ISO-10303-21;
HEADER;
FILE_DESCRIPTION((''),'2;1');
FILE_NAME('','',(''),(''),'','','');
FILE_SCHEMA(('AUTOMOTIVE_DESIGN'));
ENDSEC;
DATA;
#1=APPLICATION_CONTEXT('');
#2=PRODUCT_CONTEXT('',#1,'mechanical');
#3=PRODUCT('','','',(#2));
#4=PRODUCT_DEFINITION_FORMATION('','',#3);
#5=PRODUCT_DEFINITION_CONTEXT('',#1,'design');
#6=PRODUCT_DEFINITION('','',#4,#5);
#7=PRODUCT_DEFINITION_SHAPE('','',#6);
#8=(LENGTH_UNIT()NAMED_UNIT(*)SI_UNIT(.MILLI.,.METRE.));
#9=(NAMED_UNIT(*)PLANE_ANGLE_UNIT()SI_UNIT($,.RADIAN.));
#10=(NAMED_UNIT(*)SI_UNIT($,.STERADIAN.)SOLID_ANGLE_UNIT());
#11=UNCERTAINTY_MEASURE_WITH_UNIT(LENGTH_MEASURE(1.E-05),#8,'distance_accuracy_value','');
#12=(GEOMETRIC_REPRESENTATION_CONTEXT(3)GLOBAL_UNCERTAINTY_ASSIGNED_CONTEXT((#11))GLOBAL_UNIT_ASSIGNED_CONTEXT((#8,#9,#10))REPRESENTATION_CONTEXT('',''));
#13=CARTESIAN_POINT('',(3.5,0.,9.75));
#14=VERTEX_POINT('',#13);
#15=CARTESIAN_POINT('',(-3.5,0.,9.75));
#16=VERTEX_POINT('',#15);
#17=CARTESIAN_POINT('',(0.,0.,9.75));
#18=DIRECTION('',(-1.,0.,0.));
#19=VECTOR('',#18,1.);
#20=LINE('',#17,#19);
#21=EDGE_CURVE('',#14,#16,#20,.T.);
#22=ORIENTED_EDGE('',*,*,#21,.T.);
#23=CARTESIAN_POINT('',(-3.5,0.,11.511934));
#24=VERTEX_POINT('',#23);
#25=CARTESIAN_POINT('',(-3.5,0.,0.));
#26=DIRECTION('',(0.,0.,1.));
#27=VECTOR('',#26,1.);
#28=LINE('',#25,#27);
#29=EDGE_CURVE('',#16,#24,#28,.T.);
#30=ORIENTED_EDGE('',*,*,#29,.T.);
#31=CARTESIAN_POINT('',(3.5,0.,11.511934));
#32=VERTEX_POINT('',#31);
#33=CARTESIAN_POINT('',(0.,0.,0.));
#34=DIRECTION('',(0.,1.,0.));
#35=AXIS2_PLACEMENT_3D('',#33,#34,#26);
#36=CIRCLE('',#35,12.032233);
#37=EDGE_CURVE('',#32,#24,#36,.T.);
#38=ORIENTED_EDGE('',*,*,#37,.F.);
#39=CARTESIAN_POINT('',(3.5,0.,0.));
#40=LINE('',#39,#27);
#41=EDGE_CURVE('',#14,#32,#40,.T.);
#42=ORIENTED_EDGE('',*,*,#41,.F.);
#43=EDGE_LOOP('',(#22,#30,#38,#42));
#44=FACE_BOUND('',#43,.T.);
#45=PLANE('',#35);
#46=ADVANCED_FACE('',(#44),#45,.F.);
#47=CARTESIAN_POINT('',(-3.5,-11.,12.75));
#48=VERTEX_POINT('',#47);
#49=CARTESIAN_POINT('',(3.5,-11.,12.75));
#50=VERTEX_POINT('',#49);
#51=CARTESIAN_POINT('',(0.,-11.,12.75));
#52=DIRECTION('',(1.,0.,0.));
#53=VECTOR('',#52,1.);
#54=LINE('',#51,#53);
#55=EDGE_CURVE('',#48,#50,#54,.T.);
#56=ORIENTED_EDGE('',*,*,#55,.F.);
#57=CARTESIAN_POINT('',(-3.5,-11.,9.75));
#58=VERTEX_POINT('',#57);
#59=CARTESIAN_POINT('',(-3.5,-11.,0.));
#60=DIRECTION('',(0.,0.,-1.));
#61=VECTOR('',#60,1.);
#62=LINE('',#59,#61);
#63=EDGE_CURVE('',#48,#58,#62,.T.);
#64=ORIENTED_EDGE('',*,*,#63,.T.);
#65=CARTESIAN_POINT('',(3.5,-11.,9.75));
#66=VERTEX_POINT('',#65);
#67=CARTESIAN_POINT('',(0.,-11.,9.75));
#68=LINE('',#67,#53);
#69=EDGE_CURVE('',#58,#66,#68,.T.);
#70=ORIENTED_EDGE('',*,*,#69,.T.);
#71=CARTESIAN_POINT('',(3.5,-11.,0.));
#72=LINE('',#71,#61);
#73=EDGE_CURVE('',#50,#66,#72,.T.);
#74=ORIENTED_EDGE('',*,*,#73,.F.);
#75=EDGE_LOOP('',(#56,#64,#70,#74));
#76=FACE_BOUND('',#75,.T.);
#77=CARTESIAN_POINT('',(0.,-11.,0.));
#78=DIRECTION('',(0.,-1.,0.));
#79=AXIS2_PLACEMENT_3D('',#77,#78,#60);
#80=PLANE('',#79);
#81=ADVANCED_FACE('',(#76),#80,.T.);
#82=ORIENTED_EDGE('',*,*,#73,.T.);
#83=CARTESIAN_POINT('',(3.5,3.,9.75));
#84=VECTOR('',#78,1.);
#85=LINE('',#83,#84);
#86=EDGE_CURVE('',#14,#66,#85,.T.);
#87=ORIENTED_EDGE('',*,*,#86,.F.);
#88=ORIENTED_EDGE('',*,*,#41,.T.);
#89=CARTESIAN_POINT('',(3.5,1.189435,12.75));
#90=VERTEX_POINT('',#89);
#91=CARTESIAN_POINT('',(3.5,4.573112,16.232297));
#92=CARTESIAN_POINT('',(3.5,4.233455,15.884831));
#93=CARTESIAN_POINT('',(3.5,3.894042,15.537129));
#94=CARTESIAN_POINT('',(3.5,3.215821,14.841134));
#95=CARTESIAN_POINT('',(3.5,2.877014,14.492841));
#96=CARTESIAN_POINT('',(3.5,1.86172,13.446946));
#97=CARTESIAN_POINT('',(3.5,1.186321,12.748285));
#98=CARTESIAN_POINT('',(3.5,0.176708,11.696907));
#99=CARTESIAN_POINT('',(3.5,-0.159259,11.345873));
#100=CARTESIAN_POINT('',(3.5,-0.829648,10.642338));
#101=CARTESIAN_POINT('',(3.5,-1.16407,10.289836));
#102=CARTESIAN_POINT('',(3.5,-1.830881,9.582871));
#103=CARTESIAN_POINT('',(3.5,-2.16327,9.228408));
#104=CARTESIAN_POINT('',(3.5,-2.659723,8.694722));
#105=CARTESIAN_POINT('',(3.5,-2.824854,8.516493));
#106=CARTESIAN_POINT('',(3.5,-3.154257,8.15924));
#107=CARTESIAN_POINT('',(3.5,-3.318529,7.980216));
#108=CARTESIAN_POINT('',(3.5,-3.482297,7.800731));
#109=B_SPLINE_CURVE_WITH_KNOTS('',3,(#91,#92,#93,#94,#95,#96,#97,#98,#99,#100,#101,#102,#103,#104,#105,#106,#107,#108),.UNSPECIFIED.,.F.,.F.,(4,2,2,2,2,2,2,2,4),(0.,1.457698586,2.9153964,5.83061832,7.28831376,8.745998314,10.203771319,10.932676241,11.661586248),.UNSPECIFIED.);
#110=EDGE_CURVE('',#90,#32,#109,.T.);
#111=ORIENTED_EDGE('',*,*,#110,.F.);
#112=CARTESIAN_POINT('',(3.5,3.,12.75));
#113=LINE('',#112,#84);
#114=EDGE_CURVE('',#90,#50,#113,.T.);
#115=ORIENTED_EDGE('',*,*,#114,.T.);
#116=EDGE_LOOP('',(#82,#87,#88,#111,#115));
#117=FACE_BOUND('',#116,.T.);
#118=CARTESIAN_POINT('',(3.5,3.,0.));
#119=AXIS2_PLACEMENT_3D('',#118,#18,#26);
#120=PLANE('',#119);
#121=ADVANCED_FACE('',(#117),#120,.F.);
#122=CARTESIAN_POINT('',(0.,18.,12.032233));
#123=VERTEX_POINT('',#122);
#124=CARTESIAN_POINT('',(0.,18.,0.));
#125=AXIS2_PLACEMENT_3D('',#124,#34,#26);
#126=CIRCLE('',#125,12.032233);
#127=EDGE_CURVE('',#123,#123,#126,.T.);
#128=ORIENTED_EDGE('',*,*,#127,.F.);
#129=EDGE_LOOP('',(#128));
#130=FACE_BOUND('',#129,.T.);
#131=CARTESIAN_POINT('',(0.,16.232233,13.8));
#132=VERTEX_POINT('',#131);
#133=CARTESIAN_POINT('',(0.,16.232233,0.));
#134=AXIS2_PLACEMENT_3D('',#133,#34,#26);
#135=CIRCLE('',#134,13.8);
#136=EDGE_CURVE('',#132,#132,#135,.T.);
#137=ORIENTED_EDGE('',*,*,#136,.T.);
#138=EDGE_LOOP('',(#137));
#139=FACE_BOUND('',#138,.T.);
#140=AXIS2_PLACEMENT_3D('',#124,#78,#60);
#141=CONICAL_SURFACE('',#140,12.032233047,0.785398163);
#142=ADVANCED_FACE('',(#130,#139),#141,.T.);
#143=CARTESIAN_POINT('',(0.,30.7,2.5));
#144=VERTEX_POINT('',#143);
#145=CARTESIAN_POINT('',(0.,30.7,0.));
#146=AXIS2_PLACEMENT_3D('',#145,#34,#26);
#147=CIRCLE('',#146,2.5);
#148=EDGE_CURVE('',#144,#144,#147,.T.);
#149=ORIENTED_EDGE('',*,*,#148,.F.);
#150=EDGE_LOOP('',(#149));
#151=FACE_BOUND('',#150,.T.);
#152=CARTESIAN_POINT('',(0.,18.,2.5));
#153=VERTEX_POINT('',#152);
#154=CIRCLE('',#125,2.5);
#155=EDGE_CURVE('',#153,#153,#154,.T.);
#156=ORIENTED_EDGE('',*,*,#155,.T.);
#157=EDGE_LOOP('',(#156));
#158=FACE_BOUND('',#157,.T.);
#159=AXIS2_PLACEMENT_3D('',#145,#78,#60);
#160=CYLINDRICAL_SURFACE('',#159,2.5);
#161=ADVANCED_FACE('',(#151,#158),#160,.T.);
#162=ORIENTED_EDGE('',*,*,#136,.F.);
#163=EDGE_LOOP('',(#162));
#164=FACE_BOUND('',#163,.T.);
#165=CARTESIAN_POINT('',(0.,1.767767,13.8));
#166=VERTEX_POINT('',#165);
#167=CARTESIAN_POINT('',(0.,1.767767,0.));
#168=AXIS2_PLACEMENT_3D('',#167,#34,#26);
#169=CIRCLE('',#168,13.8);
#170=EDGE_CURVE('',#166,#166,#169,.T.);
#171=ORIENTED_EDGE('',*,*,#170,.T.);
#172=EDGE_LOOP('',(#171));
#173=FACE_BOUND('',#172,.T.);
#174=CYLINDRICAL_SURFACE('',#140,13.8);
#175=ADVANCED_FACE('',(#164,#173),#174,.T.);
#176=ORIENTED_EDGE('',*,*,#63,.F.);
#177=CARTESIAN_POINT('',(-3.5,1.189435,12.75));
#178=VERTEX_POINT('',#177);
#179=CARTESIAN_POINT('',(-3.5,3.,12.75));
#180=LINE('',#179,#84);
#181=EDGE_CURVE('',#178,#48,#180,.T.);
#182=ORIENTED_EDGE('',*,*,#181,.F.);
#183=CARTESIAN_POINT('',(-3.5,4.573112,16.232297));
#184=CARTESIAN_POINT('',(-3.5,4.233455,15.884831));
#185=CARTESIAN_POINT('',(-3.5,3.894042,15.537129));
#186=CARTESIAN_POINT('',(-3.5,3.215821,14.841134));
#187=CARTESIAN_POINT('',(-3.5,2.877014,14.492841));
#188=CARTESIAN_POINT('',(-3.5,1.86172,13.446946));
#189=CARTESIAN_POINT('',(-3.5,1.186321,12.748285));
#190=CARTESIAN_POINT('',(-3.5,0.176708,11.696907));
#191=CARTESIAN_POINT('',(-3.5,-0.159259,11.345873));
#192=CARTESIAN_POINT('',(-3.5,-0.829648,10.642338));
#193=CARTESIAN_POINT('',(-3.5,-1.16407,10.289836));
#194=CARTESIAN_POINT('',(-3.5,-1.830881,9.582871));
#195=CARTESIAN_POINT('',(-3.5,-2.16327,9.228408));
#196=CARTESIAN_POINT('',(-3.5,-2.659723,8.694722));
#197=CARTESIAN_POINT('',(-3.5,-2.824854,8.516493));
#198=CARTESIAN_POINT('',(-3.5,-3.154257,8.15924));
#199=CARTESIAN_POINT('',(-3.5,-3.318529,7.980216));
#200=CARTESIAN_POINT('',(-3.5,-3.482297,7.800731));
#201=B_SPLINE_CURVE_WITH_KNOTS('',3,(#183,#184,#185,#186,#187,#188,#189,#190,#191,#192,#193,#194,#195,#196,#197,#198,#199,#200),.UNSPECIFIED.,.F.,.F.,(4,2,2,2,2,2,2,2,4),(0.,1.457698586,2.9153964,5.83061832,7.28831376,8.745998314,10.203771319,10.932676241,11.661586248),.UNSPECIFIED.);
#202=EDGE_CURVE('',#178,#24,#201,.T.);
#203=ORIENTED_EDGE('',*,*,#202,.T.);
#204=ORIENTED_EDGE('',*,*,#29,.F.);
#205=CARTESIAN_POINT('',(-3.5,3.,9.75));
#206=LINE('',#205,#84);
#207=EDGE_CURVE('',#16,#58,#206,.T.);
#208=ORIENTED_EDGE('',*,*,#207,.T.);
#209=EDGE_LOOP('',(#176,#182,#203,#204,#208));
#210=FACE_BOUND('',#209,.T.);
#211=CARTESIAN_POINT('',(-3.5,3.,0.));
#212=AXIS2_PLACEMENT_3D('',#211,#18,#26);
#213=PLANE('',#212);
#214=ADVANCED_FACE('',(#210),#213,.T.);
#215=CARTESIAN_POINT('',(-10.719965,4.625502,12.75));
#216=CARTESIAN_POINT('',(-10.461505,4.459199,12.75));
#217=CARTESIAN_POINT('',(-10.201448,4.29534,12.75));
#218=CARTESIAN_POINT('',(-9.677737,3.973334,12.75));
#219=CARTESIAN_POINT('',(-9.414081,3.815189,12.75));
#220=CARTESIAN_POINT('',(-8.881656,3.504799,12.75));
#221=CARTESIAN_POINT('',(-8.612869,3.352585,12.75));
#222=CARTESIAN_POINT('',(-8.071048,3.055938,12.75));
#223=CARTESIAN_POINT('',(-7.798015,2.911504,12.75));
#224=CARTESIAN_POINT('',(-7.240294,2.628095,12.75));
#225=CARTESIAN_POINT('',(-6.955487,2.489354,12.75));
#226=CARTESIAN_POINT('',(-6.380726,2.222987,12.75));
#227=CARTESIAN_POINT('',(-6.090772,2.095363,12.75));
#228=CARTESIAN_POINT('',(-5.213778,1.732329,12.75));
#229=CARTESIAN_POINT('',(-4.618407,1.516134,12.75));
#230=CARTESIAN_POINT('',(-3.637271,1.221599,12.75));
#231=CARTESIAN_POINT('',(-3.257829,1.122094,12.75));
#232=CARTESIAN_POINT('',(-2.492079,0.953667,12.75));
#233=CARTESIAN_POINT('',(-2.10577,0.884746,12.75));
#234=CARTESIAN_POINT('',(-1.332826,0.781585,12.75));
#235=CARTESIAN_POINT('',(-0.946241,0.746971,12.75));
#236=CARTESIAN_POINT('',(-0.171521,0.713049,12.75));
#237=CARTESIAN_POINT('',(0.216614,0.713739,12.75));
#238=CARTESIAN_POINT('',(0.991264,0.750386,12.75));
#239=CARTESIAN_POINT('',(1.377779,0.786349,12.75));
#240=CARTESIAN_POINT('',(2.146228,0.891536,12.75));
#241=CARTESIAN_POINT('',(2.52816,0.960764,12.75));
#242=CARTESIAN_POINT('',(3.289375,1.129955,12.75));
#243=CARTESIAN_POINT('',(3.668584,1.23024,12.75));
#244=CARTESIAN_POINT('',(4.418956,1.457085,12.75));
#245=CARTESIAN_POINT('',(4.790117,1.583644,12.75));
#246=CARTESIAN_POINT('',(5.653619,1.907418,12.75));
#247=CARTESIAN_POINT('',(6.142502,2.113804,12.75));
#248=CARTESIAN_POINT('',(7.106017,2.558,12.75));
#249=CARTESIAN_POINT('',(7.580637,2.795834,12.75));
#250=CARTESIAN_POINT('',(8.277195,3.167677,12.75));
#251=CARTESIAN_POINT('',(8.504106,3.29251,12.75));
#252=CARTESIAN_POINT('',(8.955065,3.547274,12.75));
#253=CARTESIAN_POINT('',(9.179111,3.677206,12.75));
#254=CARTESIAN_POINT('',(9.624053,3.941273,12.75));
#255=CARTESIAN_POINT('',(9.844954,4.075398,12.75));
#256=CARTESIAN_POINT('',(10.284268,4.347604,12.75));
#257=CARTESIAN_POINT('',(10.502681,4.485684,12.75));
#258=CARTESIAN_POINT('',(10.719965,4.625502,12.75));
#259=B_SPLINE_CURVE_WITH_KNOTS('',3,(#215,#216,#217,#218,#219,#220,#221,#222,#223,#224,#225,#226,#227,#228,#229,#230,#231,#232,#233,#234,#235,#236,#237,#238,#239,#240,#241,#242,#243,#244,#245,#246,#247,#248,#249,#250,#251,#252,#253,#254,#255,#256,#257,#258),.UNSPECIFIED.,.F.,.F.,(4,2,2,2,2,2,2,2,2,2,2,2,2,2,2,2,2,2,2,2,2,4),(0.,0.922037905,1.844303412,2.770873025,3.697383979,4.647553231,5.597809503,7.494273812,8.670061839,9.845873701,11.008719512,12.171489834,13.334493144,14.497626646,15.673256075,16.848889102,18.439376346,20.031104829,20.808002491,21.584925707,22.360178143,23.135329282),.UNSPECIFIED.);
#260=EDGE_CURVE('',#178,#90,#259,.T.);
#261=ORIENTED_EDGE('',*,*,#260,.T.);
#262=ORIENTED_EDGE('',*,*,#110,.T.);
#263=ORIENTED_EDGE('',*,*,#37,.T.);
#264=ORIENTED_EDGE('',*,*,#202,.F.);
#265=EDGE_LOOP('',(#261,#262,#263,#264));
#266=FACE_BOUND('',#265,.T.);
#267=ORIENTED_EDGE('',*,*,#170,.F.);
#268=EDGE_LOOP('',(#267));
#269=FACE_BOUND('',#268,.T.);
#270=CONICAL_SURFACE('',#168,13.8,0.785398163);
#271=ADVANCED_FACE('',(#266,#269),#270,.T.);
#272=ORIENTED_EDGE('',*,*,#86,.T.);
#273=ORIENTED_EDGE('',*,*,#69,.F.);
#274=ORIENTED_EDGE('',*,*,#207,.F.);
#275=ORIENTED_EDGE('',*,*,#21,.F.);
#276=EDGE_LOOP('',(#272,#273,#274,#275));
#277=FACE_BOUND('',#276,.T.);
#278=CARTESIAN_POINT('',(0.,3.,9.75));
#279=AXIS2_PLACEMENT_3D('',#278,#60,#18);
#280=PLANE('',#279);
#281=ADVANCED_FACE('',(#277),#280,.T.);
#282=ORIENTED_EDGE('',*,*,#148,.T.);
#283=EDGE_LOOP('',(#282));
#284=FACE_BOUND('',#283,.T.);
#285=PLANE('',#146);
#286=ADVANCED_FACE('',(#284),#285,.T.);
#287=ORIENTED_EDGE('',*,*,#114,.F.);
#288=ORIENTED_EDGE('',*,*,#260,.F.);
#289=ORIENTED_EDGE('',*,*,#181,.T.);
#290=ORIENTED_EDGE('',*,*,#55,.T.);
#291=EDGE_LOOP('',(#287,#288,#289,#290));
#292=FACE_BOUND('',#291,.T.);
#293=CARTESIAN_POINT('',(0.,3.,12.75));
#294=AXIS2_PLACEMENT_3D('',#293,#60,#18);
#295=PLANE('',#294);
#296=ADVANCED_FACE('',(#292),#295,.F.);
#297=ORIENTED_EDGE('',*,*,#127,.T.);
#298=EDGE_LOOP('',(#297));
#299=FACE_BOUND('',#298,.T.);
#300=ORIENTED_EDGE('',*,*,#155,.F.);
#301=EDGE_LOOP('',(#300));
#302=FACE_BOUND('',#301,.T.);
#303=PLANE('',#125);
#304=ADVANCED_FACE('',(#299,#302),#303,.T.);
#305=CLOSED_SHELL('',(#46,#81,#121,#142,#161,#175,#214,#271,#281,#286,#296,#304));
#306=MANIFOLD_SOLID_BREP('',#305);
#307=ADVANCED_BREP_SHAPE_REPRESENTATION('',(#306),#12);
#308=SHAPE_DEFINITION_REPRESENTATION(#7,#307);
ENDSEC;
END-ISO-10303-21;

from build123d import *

# Parameters (mm, degrees)
SKETCH1_R                = 13.8
BOSS_EXTRUDE1_DEPTH      = 18
SKETCH3_R                = 2.5
BOSS_EXTRUDE2_DEPTH      = 12.7
BOSS_EXTRUDE3_DEPTH      = 11
BOSS_EXTRUDE3_DEPTH_BACK = 3


with BuildPart() as part:
    # Sketch1 → Boss-Extrude1 (new body)
    with BuildSketch(Plane(origin=(0, 0, 0), x_dir=(1, 0, 0), z_dir=(0, 1, 0))):
        with Locations(Location((0, 0, 0), (0, 0, 270))):
            Circle(SKETCH1_R)
    extrude(amount=BOSS_EXTRUDE1_DEPTH)

    # Sketch2 → Cut-Revolve1 (revolve, cut)
    with BuildSketch(Plane(origin=(0, 0, 0), x_dir=(0, 0, -1), z_dir=(1, 0, 0)), mode=Mode.PRIVATE) as cut_revolve1_sk:
        Polygon((12.032233047, 18), (13.8, 16.232233047), (13.8, 18), align=None)
        Polygon((13.8, 0), (13.8, 1.767766953), (12.032233047, 0), align=None)
    revolve(cut_revolve1_sk.sketch.rotate(Axis((0, 18, 0), (0, -1, 0)), 180), axis=Axis((0, 18, 0), (0, -1, 0)), mode=Mode.SUBTRACT)

    # Sketch3 → Boss-Extrude2 (add)
    with BuildSketch(Plane(origin=(0, 18, 0), x_dir=(1, 0, 0), z_dir=(0, 1, 0))):
        with Locations(Location((0, 0, 0), (0, 0, 270))):
            Circle(SKETCH3_R)
    extrude(amount=BOSS_EXTRUDE2_DEPTH)

    # Sketch4 → Boss-Extrude3 (add, two sides: drawn at the far end of the back side and taken through both)
    with BuildSketch(Plane.XZ.offset(-BOSS_EXTRUDE3_DEPTH_BACK)):
        with BuildLine():
            Line((3.5, 12.75), (-3.5, 12.75))
            Line((-3.5, 12.75), (-3.5, 11.511934333))
            ThreePointArc((-3.5, 11.511934333), (0, 12.032233047), (3.5, 11.511934333))
            Line((3.5, 11.511934333), (3.5, 12.75))
        make_face()
        with BuildLine():
            ThreePointArc((3.5, 11.511934333), (0, 12.032233047), (-3.5, 11.511934333))
            Line((-3.5, 11.511934333), (-3.5, 9.75))
            Line((-3.5, 9.75), (0, 9.75))
            Line((0, 9.75), (3.5, 9.75))
            Line((3.5, 9.75), (3.5, 11.511934333))
        make_face()
    extrude(amount=BOSS_EXTRUDE3_DEPTH + BOSS_EXTRUDE3_DEPTH_BACK)


solid = part.part
